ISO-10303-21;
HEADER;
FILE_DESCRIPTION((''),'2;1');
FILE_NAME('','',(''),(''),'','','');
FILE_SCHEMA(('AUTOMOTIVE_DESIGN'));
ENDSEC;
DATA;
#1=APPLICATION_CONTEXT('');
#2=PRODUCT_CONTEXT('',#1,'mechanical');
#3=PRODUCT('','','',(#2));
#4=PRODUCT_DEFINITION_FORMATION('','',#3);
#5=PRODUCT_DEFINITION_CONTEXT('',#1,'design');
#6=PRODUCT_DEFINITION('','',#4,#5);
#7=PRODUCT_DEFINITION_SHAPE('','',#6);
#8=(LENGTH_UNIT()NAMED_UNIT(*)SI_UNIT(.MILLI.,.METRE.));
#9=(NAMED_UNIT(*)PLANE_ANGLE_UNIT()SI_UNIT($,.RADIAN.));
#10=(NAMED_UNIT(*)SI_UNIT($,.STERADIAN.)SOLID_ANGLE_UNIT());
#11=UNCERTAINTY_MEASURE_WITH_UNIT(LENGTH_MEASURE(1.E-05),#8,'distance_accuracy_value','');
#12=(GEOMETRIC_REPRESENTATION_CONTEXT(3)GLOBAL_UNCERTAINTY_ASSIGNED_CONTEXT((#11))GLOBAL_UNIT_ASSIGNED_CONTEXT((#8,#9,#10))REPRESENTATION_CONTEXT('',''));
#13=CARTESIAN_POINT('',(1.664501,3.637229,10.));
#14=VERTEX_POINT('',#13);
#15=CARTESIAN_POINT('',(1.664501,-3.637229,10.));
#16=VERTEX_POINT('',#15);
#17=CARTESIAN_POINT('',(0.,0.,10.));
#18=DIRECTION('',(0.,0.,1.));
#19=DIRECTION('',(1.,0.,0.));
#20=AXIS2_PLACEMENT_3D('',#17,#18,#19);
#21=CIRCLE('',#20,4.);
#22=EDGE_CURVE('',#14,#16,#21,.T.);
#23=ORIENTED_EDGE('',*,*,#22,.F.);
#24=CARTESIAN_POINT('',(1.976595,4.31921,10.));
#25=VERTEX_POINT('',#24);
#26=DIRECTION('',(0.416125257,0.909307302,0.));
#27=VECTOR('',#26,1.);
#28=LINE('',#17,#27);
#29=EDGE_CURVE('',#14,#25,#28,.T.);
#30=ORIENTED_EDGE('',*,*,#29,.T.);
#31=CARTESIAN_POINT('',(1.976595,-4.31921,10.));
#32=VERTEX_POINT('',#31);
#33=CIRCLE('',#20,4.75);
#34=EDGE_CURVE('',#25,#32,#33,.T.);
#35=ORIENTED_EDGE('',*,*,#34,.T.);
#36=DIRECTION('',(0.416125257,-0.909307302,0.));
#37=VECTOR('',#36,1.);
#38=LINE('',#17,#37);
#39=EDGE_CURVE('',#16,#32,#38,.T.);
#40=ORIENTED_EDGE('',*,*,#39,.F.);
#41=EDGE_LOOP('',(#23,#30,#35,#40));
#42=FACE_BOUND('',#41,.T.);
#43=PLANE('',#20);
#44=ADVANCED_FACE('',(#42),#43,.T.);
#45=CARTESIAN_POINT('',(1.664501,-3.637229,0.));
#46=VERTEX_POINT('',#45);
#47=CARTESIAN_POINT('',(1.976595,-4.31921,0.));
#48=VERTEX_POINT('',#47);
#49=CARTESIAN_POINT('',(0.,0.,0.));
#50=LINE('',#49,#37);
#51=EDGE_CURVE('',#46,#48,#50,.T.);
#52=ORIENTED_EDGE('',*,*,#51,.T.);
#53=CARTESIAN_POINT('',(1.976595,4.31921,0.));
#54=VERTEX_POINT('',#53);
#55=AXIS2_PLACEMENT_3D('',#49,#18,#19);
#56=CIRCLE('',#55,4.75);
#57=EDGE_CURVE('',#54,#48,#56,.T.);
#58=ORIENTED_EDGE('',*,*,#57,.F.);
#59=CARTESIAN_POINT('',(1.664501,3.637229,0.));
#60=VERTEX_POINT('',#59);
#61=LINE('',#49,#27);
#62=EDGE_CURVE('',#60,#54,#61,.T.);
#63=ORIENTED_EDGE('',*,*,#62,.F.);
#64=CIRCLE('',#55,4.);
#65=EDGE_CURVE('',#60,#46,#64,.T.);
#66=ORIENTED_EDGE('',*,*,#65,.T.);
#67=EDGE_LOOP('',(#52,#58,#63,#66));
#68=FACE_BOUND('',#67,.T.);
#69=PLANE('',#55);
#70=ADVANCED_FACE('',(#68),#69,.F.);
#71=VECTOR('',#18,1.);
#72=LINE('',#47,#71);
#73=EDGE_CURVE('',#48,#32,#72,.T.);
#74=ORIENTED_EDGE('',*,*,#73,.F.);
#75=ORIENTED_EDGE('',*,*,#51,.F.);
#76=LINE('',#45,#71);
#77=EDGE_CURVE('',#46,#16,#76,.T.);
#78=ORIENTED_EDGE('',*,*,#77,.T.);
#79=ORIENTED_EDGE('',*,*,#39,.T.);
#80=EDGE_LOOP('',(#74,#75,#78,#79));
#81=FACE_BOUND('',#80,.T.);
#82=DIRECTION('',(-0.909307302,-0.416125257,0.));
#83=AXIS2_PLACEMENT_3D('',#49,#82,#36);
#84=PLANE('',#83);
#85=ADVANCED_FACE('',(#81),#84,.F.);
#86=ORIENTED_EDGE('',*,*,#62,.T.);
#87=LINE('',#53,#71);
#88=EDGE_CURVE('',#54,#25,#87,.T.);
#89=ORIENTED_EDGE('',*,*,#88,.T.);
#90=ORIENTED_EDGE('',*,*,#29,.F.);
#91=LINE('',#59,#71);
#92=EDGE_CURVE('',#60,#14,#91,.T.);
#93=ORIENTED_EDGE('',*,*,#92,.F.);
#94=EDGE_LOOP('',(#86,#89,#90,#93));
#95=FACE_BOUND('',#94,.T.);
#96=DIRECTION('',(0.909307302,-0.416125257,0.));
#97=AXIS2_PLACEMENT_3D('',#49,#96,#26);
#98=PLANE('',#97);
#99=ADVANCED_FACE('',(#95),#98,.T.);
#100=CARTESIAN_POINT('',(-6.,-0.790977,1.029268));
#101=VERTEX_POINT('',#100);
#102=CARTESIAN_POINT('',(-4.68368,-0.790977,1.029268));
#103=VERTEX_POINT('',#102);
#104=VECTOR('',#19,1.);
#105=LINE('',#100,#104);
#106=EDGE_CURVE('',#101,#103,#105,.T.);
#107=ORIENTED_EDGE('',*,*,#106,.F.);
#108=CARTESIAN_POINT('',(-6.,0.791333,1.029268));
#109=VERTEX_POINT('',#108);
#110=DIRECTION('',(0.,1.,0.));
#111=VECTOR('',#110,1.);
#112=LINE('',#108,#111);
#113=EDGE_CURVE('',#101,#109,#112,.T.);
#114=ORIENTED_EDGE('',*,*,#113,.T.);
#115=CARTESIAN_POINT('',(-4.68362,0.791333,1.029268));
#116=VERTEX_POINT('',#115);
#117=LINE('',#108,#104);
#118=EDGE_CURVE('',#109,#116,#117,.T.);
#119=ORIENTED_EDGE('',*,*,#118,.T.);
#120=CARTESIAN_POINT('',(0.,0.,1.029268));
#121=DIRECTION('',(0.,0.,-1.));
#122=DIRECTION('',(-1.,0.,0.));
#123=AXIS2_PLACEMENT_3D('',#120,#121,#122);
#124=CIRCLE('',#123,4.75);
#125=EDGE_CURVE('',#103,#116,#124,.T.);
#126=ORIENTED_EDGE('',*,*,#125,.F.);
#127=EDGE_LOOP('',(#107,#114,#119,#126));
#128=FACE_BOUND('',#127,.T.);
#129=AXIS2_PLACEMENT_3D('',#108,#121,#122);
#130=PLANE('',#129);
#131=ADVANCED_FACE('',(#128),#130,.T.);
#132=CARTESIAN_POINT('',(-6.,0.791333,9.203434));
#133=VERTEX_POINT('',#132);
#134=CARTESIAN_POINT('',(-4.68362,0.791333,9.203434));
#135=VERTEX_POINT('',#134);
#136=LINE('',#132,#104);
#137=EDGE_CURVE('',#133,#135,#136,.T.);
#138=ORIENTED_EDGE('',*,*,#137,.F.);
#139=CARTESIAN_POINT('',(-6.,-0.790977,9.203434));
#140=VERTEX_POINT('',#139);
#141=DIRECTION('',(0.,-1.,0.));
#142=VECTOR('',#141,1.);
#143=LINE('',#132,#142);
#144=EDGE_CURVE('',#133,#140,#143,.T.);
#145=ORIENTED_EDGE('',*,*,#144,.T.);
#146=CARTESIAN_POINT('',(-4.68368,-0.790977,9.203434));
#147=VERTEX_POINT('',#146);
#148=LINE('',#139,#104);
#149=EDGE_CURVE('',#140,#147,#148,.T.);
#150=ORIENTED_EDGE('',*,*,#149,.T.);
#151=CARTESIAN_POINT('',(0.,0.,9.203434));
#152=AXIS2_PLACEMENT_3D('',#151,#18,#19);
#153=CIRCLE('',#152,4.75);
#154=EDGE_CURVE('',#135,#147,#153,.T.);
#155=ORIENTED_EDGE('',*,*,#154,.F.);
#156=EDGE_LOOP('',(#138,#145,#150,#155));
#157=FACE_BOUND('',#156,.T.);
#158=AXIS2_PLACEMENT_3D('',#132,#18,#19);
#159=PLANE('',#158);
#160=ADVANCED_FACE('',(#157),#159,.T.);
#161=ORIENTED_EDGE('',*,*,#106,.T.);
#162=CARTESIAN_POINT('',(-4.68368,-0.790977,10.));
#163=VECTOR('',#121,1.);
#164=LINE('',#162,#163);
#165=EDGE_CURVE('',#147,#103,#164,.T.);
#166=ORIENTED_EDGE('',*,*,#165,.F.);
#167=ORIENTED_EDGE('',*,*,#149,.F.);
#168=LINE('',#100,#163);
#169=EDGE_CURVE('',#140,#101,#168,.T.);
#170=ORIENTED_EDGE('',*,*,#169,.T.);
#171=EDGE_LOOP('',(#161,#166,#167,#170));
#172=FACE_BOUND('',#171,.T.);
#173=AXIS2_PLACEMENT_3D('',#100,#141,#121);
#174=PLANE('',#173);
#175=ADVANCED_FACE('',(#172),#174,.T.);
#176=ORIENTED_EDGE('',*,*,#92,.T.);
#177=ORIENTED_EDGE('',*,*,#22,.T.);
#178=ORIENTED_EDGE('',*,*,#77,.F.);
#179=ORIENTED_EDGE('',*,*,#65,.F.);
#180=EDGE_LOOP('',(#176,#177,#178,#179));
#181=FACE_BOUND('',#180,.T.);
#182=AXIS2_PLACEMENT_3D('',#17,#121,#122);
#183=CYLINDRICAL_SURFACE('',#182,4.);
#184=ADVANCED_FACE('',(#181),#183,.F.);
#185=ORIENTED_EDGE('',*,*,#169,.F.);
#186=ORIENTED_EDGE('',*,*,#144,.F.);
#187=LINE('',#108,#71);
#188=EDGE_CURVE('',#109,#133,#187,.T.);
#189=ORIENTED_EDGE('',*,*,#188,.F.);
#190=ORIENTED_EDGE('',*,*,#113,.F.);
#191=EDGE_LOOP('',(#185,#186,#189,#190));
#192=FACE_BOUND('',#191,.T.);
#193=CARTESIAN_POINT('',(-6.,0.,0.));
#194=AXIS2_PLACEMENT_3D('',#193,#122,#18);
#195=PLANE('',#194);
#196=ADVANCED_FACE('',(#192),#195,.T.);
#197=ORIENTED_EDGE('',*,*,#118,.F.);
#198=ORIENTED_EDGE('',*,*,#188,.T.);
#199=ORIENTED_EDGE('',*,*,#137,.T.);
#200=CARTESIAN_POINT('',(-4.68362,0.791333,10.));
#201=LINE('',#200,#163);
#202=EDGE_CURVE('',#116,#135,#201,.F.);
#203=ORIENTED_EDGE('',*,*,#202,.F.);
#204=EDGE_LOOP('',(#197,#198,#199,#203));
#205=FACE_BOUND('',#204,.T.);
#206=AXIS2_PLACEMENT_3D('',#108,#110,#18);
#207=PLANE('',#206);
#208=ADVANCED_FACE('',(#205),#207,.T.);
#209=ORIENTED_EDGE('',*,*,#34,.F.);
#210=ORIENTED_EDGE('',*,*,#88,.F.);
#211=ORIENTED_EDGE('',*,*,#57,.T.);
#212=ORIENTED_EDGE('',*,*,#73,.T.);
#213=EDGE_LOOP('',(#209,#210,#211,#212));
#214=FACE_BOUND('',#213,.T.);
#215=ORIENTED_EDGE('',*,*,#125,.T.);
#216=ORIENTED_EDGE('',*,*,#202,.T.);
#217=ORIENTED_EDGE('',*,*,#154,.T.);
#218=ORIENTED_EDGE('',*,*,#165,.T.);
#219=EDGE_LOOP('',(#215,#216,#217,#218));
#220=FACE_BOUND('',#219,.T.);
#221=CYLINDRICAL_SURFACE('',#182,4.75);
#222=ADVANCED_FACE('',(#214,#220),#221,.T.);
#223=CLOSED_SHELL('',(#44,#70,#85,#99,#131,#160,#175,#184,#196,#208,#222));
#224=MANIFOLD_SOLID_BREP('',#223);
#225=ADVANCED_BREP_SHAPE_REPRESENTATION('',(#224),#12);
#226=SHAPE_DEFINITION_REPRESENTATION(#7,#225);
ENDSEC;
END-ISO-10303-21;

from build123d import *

# Parameters (mm, degrees)
SKETCH1_R           = 4.75
SKETCH1_R_2         = 4
BOSS_EXTRUDE1_DEPTH = 10
CUT_EXTRUDE2_DEPTH  = 10
SKETCH4_W           = 8.174166442
SKETCH4_H           = 1.582309943
BOSS_EXTRUDE2_DEPTH = 1.5


with BuildPart() as part:
    # Sketch1 → Boss-Extrude1 (new body)
    with BuildSketch(Plane.XY):
        Circle(SKETCH1_R)
        Circle(SKETCH1_R_2, mode=Mode.SUBTRACT)
    extrude(amount=BOSS_EXTRUDE1_DEPTH)

    # Sketch3 → Cut-Extrude2 (cut)
    with BuildSketch(Plane.XY.offset(10)):
        with BuildLine():
            ThreePointArc((1.66450103, 3.637229209), (3.365858295, 2.161249162), (4, 0))
            Line((4, 0), (4.75, 0))
            ThreePointArc((4.75, 0), (4.749994219, 0.007410728), (4.749976876, 0.014821438))
            ThreePointArc((4.749976876, 0.014821438), (3.992947753, 2.572716122), (1.976594973, 4.319209686))
            Line((1.976594973, 4.319209686), (1.66450103, 3.637229209))
        make_face()
        with BuildLine():
            Line((4.75, 0), (4, 0))
            ThreePointArc((4, 0), (3.365858295, -2.161249162), (1.66450103, -3.637229209))
            Line((1.66450103, -3.637229209), (1.976594973, -4.319209686))
            ThreePointArc((1.976594973, -4.319209686), (3.996956725, -2.56648338), (4.75, 0))
        make_face()
    extrude(amount=-CUT_EXTRUDE2_DEPTH, mode=Mode.SUBTRACT)

    # Sketch4 → Boss-Extrude2 (add)
    with BuildSketch(Plane(origin=(-4.5, 0, 0), x_dir=(0, 0, -1), z_dir=(1, 0, 0))):
        with Locations((-5.116351143, 0.000178202)):
            Rectangle(SKETCH4_W, SKETCH4_H)
    extrude(amount=-BOSS_EXTRUDE2_DEPTH)


solid = part.part
